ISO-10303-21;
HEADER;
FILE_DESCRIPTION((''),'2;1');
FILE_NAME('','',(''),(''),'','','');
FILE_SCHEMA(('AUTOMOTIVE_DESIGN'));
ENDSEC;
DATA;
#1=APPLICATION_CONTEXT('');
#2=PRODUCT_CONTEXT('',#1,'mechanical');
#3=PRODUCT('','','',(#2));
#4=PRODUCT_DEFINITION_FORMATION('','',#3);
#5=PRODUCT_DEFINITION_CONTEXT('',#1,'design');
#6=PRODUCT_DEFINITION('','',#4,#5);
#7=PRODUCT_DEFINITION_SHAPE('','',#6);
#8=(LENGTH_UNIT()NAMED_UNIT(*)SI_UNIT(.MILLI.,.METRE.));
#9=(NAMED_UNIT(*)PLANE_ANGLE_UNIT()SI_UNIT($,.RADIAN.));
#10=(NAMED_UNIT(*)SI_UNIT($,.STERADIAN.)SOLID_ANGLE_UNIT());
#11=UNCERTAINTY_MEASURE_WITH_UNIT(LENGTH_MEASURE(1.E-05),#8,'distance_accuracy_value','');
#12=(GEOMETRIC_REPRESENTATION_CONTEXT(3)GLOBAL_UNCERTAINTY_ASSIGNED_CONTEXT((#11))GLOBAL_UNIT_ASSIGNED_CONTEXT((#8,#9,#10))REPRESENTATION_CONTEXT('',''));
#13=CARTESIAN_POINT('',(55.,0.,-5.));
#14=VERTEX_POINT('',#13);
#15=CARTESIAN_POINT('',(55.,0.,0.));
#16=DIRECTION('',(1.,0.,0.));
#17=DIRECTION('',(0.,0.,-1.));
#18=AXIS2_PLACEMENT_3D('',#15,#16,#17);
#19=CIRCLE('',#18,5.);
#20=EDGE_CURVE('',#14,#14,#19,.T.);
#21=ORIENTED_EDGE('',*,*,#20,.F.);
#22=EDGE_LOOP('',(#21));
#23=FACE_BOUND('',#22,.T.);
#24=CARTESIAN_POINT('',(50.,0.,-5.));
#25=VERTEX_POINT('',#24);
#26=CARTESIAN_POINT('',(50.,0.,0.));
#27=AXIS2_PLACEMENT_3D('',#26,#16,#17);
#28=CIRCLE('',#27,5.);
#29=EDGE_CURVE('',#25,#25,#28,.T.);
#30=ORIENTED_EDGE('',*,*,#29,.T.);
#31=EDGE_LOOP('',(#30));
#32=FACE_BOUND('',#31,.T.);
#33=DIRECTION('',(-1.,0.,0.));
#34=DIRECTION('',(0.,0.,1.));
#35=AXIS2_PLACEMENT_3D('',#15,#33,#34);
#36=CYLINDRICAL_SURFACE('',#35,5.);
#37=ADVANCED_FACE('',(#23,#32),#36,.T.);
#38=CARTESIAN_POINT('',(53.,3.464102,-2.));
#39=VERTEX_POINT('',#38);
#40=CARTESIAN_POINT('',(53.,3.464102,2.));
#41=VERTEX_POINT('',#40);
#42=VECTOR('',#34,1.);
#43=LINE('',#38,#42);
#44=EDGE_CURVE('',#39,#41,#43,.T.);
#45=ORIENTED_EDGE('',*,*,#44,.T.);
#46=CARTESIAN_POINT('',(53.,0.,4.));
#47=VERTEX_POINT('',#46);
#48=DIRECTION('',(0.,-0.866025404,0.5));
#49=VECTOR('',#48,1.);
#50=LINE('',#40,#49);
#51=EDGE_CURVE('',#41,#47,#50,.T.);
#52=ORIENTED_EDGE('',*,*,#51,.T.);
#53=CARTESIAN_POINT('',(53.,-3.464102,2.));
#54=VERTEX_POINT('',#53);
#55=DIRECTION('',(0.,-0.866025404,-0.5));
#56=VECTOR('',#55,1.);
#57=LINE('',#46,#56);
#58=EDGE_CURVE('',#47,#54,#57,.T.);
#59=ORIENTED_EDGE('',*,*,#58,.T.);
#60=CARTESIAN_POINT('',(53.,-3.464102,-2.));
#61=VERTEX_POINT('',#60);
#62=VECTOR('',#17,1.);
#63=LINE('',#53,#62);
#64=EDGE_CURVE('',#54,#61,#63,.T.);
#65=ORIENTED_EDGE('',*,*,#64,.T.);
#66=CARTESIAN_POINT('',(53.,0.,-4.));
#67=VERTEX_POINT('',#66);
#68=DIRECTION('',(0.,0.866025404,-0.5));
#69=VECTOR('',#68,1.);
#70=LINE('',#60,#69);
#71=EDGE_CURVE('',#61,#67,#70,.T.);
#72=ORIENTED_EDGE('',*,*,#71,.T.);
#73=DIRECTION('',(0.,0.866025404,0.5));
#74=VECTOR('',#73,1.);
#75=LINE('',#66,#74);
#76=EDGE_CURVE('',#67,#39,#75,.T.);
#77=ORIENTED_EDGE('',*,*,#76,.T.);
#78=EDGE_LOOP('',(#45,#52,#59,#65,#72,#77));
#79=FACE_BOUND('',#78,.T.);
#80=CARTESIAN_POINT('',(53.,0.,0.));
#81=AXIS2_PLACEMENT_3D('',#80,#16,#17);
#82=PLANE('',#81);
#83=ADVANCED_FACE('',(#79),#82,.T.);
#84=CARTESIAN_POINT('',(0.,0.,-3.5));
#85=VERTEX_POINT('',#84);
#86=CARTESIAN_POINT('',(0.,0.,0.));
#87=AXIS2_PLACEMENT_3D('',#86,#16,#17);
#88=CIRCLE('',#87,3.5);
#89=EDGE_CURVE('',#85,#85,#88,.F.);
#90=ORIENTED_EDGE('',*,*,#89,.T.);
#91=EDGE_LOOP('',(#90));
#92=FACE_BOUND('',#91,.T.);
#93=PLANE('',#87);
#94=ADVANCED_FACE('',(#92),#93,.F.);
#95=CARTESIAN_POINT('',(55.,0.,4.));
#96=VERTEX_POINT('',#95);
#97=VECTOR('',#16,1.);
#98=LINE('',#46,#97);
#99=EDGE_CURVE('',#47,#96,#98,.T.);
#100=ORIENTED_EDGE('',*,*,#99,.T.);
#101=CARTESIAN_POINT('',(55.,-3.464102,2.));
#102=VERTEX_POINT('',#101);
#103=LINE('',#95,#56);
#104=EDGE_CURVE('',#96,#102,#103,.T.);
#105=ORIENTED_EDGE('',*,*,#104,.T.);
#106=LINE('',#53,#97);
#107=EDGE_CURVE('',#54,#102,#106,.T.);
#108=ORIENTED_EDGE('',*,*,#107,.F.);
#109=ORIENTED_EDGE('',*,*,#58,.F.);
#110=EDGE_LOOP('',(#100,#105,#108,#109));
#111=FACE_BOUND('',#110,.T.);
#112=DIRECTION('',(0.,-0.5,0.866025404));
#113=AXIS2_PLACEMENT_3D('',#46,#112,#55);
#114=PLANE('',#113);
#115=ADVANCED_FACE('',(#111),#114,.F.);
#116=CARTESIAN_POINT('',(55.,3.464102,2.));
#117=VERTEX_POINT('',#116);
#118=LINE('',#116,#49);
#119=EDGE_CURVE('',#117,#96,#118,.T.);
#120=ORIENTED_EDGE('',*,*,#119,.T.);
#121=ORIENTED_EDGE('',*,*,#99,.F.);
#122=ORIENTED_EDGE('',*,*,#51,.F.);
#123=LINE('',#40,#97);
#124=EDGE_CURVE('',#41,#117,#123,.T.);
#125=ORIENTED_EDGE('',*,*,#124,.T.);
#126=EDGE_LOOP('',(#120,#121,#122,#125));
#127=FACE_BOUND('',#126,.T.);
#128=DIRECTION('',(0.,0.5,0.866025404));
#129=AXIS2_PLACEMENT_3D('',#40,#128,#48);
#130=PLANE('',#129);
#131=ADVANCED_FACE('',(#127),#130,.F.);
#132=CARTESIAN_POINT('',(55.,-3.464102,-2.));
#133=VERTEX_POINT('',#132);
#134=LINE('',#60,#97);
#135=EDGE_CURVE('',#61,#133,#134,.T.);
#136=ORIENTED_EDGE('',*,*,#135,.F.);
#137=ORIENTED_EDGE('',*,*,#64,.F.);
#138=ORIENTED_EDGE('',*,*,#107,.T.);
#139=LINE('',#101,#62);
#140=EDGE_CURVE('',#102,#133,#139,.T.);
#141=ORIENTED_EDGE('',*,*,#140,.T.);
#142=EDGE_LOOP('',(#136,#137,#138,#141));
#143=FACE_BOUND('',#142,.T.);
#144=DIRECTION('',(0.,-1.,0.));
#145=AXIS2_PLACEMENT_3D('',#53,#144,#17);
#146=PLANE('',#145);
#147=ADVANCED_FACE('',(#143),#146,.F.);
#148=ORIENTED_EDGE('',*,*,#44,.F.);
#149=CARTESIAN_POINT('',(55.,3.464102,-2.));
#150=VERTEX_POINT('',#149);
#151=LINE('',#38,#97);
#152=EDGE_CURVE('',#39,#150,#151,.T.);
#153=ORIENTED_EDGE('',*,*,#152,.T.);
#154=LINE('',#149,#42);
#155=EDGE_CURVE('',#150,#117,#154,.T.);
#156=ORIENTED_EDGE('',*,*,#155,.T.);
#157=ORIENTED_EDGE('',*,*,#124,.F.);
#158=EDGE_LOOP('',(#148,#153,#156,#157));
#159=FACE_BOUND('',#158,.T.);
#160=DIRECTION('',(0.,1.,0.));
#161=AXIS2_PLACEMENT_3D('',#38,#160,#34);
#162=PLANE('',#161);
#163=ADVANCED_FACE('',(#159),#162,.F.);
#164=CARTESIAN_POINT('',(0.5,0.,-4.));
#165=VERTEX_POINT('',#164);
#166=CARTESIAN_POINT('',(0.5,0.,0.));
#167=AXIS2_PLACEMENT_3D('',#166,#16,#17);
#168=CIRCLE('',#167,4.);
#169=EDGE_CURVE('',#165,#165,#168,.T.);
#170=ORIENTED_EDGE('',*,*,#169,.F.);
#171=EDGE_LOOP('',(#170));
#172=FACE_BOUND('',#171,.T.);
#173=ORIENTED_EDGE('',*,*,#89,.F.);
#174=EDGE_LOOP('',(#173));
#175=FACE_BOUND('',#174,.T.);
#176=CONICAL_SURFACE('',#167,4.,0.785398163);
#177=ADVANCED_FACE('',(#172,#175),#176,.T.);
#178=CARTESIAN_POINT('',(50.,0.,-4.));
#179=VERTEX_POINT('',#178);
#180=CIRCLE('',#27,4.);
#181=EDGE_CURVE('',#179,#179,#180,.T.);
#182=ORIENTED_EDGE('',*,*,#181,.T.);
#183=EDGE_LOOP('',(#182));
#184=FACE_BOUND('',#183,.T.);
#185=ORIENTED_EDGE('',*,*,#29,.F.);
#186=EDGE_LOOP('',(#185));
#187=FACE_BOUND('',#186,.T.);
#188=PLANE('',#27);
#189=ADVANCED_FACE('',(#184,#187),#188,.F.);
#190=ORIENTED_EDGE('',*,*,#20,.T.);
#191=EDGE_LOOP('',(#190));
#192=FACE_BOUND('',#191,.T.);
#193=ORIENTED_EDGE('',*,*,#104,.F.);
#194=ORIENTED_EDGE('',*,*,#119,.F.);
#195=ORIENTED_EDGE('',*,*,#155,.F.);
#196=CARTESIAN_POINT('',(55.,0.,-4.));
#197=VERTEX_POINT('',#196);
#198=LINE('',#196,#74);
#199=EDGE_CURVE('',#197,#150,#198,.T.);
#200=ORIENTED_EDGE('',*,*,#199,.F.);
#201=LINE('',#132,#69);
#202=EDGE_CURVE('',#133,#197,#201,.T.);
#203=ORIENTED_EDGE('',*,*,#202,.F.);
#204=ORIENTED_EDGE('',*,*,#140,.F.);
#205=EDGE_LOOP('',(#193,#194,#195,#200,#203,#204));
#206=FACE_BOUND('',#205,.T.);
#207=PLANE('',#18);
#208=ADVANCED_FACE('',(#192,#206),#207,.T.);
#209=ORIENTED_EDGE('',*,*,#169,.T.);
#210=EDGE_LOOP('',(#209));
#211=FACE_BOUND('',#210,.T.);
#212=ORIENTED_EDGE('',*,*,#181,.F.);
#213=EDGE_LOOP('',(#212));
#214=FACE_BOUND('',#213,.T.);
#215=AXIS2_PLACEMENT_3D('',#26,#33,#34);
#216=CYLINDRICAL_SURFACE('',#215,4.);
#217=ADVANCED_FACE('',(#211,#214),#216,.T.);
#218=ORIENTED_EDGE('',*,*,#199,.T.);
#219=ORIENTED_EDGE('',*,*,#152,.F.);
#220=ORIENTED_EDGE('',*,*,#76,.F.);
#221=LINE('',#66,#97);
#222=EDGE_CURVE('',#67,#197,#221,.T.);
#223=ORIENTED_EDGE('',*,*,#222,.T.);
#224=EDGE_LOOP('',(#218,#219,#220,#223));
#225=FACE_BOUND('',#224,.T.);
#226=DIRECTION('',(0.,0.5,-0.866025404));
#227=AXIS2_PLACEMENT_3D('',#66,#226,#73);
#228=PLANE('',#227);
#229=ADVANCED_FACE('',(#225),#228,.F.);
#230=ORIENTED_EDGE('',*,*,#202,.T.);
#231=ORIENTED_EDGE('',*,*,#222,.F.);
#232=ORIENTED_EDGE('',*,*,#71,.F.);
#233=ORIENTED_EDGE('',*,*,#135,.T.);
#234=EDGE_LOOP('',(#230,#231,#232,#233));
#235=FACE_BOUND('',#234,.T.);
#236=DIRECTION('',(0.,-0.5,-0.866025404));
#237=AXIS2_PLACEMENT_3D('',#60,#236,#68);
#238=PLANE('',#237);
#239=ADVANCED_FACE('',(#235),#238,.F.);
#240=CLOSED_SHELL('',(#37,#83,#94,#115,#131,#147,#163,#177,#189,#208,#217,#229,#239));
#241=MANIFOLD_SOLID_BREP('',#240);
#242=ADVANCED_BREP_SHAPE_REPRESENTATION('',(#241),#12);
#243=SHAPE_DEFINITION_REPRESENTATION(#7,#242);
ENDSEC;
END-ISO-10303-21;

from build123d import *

# Parameters (mm, degrees)
CROQUIS1_R              = 4
SALIENTE_EXTRUIR1_DEPTH = 50
CROQUIS2_R              = 5
SALIENTE_EXTRUIR2_DEPTH = 5
CORTAR_EXTRUIR1_DEPTH   = 2
CHAFL_N1_SIZE           = 0.5


with BuildPart() as part:
    # Croquis1 → Saliente-Extruir1 (new body)
    with BuildSketch(Plane(origin=(0, 0, 0), x_dir=(0, 0, -1), z_dir=(1, 0, 0))):
        Circle(CROQUIS1_R)
    extrude(amount=SALIENTE_EXTRUIR1_DEPTH)

    # Croquis2 → Saliente-Extruir2 (add)
    with BuildSketch(Plane(origin=(50, 0, 0), x_dir=(0, 0, -1), z_dir=(1, 0, 0))):
        Circle(CROQUIS2_R)
    extrude(amount=SALIENTE_EXTRUIR2_DEPTH)

    # Croquis3 → Cortar-Extruir1 (cut)
    with BuildSketch(Plane(origin=(55, 0, 0), x_dir=(0, 0, -1), z_dir=(1, 0, 0))):
        Polygon((4, 0), (2, 3.464101615), (-2, 3.464101615), (-4, 0), (-2, -3.464101615), (2, -3.464101615), align=None)
    extrude(amount=-CORTAR_EXTRUIR1_DEPTH, mode=Mode.SUBTRACT)

    # Chaflán1
    chafl_n1_edges = [part.edges().sort_by_distance(p)[0] for p in [
        (0, 0, 4),
    ]]
    chamfer(chafl_n1_edges, length=CHAFL_N1_SIZE)


solid = part.part
